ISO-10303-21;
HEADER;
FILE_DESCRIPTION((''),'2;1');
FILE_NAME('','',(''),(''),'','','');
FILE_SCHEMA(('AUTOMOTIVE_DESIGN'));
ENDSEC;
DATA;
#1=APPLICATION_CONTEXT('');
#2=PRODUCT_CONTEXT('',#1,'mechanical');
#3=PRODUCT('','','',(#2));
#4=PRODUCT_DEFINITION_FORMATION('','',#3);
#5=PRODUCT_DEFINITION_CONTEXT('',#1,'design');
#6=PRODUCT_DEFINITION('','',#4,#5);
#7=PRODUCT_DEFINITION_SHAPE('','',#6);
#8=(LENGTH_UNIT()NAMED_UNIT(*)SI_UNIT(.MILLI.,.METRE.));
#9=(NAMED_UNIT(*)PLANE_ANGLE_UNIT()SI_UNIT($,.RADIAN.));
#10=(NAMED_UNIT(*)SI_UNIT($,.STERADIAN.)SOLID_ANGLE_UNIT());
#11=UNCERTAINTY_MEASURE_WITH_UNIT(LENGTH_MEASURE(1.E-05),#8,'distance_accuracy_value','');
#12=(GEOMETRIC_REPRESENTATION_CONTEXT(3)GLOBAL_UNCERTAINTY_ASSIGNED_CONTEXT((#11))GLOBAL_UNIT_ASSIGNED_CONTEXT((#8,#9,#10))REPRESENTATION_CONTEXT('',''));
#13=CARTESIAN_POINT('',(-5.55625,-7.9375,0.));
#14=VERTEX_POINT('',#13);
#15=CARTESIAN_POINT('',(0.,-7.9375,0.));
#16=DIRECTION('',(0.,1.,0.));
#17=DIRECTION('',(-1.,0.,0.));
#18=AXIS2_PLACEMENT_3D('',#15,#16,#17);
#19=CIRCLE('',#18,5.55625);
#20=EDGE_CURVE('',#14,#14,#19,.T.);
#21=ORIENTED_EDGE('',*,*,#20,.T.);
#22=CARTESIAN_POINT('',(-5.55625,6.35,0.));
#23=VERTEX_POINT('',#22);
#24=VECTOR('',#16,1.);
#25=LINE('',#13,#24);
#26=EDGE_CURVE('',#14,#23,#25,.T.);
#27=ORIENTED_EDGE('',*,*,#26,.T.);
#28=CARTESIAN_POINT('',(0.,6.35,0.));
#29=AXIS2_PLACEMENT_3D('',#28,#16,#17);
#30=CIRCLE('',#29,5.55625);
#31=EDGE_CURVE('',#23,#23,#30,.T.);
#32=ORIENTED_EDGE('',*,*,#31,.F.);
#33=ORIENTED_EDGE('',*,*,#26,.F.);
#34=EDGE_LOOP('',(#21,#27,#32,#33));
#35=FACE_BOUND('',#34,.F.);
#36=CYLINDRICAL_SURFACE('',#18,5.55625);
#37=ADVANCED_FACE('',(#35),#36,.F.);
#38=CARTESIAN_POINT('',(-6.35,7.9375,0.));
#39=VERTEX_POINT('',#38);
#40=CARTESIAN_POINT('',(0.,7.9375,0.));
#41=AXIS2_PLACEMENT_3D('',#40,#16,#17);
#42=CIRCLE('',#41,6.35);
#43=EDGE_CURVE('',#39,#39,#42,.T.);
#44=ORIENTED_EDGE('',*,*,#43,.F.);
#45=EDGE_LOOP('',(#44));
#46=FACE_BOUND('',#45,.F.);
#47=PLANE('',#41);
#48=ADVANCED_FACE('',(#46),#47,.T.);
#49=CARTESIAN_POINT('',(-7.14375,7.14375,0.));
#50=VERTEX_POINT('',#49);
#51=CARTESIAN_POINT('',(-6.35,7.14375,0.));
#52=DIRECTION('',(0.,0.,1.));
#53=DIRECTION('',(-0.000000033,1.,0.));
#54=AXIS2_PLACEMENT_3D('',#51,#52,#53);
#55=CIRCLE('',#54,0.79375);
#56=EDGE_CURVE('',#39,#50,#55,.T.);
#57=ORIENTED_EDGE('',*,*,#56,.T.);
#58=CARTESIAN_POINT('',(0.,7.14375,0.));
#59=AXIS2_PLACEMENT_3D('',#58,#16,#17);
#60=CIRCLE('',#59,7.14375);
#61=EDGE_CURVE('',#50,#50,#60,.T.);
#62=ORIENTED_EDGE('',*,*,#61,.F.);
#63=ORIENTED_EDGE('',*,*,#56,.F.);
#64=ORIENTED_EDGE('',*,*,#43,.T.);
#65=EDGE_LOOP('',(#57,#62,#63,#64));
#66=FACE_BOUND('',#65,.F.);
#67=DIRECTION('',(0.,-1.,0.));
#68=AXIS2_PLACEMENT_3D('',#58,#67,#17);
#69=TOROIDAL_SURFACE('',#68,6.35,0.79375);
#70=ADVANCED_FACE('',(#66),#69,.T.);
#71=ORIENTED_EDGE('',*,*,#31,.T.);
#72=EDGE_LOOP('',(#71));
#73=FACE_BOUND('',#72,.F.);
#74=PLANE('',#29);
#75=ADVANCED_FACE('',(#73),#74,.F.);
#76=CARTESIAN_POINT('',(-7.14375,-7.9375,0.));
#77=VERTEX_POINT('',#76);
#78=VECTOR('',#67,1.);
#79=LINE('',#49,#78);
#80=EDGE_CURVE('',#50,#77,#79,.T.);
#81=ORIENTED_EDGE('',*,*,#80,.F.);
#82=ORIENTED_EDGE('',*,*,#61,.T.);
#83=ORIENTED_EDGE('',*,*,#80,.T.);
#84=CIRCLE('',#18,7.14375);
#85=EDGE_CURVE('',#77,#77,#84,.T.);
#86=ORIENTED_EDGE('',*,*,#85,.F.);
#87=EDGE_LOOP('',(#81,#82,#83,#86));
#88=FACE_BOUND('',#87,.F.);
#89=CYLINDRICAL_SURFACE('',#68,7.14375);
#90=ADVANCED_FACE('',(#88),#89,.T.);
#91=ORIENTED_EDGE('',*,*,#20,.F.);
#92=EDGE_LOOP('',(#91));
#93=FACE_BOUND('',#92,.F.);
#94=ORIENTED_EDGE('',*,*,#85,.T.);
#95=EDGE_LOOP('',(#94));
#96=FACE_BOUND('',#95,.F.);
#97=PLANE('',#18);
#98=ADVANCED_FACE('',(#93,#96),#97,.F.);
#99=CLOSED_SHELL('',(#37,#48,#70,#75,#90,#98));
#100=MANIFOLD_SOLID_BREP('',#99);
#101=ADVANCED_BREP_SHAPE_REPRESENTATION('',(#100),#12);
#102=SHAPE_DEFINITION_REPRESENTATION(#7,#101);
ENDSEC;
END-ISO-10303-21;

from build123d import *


with BuildPart() as f1:
    # F0 (on Top) → F1 (revolve)
    with BuildSketch(Plane.XY):
        with BuildLine():
            Line((-7.14375, 7.14375), (-7.14375, -7.9375))
            Line((-7.14375, -7.9375), (-5.55625, -7.9375))
            Line((-5.55625, -7.9375), (-5.55625, 6.35))
            Line((-5.55625, 6.35), (0, 6.35))
            Line((0, 6.35), (0, 7.9375))
            Line((0, 7.9375), (-6.35, 7.9375))
            ThreePointArc((-6.35, 7.9375), (-6.911266, 7.705016), (-7.14375, 7.14375))
        make_face()
    revolve(axis=Axis((0, 7.14375, 0), (0, 1, 0)))


solid = f1.part
